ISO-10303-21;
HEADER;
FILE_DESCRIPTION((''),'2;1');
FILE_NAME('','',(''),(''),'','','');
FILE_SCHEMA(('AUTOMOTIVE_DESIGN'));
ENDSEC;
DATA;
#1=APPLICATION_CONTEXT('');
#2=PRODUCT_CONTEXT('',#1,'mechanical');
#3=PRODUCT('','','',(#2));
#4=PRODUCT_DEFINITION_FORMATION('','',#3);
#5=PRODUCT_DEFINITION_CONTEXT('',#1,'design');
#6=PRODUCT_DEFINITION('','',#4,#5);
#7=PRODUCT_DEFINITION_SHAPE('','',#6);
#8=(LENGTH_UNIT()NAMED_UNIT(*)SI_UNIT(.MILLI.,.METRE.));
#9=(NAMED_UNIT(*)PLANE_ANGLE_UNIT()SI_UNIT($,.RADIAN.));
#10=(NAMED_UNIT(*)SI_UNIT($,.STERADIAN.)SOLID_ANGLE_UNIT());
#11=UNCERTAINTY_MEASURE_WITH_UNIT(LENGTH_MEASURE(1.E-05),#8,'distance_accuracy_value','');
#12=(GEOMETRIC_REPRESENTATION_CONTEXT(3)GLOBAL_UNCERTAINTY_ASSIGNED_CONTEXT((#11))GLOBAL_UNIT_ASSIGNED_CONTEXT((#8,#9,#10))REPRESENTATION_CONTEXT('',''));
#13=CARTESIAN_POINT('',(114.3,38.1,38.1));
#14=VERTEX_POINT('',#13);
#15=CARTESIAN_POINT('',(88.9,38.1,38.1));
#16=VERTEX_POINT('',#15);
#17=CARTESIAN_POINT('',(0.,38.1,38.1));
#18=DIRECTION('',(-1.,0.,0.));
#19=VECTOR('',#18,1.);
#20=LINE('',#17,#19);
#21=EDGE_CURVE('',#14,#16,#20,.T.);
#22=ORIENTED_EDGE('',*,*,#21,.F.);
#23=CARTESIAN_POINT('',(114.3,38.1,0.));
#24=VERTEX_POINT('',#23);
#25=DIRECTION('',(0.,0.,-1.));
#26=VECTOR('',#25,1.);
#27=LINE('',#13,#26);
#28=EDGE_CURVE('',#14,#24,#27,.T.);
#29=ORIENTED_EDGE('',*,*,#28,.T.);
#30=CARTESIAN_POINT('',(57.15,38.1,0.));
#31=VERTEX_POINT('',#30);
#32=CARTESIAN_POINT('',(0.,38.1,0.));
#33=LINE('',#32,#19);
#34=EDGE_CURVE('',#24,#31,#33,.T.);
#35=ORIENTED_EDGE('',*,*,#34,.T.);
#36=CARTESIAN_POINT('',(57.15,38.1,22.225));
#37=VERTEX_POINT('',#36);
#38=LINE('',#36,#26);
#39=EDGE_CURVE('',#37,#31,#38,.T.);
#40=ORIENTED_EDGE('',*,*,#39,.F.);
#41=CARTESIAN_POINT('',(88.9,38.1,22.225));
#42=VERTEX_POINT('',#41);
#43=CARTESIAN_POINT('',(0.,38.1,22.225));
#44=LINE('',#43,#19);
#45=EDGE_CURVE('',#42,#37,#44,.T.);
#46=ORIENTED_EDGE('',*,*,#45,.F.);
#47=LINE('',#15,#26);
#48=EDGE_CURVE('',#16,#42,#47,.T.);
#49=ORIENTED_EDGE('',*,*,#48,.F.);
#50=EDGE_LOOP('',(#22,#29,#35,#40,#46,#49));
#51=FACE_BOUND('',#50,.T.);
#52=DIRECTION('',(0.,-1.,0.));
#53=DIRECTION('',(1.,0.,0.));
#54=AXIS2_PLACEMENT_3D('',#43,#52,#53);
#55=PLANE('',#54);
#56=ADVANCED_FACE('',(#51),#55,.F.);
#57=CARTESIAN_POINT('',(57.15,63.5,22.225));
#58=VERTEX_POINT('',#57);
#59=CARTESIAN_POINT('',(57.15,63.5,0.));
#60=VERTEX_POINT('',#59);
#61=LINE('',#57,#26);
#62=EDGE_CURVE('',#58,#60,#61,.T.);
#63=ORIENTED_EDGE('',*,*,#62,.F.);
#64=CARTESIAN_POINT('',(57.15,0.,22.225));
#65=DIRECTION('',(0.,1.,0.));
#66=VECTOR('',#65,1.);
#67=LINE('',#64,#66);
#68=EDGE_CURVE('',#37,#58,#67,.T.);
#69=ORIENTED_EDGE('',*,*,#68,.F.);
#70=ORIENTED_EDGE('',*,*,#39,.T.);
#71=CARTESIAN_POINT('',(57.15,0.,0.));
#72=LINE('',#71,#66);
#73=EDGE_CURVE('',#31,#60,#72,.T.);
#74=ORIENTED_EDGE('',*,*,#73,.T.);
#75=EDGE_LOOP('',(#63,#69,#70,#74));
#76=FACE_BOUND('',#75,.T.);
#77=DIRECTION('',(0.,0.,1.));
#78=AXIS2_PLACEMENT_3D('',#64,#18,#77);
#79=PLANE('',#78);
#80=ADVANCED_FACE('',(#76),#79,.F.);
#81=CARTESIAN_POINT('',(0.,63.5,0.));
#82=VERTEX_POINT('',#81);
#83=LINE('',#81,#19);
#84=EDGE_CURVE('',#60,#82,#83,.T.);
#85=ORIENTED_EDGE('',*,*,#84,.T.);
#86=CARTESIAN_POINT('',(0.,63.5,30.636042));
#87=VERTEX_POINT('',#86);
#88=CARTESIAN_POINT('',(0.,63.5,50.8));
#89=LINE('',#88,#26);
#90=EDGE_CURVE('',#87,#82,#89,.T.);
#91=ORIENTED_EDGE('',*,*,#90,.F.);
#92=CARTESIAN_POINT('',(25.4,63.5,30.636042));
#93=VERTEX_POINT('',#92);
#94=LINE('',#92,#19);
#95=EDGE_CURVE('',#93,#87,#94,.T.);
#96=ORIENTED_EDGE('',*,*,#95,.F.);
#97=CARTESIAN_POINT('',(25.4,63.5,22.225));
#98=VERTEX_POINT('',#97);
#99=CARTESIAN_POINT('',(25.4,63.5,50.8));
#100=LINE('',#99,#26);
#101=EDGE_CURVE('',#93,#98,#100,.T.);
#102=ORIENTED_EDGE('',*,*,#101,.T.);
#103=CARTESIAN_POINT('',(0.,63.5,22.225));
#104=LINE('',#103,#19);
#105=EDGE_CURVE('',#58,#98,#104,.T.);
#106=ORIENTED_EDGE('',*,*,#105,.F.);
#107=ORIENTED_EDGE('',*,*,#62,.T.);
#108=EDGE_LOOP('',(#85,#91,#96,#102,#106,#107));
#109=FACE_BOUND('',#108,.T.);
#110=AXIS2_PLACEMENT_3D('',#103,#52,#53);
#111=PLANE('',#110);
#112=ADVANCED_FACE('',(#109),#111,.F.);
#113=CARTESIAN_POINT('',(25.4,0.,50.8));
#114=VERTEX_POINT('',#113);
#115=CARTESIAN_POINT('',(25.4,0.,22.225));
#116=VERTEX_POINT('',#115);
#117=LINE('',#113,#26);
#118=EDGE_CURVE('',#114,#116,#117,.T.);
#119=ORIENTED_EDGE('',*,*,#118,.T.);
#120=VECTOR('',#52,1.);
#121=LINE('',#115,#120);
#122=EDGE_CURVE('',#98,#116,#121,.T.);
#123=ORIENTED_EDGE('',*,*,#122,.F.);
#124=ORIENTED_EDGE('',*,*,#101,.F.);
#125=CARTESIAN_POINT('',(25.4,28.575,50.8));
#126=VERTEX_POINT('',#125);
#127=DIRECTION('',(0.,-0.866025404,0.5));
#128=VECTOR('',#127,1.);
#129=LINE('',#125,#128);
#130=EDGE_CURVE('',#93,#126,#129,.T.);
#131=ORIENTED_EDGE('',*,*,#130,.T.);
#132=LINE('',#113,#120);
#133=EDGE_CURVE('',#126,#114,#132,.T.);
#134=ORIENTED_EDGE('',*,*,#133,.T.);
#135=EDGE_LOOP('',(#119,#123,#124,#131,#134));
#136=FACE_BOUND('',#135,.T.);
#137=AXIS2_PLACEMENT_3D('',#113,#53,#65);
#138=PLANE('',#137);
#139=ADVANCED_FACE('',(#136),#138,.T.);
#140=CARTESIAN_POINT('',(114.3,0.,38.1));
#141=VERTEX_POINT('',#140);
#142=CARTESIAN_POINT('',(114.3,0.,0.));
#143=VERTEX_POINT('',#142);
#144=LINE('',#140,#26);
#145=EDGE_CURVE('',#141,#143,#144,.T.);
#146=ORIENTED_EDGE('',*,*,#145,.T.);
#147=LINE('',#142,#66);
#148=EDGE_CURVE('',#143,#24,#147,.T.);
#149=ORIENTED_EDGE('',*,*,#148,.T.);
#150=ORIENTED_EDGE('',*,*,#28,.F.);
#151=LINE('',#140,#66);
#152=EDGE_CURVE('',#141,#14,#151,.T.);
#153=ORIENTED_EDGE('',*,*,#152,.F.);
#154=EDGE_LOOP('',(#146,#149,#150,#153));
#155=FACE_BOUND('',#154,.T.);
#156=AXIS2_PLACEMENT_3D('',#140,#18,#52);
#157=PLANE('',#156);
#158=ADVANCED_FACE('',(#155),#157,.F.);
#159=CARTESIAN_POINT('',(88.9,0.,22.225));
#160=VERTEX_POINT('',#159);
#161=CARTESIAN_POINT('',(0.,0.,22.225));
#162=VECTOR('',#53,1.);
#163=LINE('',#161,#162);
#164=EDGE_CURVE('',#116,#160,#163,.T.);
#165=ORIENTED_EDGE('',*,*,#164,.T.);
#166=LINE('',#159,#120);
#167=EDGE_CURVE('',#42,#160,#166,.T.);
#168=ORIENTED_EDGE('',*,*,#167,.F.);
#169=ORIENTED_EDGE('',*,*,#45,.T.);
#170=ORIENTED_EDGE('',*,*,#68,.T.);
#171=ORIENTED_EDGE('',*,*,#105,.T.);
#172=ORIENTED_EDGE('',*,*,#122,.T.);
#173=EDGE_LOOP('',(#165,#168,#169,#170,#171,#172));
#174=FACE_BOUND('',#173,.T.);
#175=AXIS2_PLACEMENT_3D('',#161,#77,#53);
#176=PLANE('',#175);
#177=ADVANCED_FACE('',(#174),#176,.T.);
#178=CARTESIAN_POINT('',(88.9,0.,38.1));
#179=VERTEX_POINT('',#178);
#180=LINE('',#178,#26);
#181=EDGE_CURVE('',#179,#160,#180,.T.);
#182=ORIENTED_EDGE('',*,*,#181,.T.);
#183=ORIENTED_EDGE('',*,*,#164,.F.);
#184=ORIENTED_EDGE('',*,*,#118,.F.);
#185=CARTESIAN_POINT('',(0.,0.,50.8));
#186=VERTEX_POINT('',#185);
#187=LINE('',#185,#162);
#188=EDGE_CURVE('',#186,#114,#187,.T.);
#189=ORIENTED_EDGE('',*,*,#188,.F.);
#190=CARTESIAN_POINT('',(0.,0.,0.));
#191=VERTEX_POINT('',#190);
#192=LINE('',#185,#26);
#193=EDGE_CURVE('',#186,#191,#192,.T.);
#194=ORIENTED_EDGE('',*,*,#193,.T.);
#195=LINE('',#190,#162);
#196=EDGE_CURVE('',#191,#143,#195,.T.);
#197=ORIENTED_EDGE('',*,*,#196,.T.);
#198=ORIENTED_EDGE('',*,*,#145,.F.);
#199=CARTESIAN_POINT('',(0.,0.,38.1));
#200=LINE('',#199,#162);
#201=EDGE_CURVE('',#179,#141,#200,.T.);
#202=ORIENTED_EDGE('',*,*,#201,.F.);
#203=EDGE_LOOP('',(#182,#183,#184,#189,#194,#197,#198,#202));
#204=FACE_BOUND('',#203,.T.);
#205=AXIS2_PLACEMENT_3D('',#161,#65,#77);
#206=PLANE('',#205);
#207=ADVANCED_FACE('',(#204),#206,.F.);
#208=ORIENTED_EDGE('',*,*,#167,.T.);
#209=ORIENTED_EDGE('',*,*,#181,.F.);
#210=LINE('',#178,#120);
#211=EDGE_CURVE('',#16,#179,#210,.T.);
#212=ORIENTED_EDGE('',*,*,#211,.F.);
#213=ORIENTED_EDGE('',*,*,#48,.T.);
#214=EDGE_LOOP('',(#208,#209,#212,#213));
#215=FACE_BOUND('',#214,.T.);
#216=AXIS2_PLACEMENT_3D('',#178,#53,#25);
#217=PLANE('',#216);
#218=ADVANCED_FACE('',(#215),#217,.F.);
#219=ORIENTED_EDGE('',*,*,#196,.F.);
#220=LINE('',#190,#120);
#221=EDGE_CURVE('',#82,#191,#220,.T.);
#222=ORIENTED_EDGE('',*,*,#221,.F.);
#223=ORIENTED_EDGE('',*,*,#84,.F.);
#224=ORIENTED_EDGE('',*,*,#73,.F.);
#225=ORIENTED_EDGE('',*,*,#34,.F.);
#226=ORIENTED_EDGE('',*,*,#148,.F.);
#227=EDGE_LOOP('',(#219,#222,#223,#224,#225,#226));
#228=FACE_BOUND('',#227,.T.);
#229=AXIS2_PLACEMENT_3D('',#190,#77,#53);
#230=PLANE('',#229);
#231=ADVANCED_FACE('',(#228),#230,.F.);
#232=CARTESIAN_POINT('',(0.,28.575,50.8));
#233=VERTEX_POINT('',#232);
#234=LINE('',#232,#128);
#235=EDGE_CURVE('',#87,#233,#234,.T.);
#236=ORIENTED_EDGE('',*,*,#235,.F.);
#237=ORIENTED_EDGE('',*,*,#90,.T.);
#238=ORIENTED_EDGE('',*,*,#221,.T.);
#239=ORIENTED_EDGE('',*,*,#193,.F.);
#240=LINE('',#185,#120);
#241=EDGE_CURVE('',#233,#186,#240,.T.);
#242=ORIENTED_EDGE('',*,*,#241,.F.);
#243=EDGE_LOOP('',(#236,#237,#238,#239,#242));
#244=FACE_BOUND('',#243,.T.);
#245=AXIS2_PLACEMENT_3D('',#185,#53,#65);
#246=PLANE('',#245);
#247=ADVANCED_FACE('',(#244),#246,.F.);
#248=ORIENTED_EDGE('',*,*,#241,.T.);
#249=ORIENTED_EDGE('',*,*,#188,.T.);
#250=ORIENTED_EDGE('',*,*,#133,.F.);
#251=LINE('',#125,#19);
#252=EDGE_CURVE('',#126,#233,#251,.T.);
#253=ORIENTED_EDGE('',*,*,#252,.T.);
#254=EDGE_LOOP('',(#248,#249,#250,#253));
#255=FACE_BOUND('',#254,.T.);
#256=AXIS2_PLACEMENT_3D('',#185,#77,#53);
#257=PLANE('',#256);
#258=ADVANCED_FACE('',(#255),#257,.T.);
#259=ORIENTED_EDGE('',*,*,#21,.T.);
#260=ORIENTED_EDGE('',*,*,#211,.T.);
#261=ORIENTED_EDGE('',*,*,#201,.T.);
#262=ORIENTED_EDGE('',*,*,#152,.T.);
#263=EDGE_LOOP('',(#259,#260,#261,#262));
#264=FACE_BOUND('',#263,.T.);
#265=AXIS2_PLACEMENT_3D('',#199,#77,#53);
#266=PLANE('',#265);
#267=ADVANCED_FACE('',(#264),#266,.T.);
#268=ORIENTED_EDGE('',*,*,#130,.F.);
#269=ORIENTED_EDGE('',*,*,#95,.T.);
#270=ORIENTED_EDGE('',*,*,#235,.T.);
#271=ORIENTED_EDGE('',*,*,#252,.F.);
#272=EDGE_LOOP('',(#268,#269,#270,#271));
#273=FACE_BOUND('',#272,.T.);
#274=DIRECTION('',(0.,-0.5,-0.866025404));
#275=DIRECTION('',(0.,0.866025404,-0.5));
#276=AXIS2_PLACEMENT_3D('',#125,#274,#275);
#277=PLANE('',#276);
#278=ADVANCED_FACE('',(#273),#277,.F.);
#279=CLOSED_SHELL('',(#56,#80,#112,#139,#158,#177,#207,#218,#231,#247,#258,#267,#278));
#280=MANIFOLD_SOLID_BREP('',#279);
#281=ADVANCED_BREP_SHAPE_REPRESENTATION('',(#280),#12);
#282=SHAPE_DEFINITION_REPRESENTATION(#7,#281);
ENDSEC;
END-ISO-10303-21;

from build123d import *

# Parameters (mm, degrees)
BOSS_EXTRUDE1_DEPTH = 22.225
SKETCH1_3_W         = 25.4
SKETCH1_3_H         = 38.1
BOSS_EXTRUDE2_DEPTH = 38.1
SKETCH1_4_W         = 25.4
SKETCH1_4_H         = 63.5
BOSS_EXTRUDE3_DEPTH = 50.8
CUT_EXTRUDE1_DEPTH  = 25.4


with BuildPart() as part:
    # Sketch1 → Boss-Extrude1 (new body)
    with BuildSketch(Plane.XY):
        Polygon((25.4, 28.575), (25.4, 0), (88.9, 0), (88.9, 38.1), (57.15, 38.1), (57.15, 63.5), (25.4, 63.5), align=None)
    extrude(amount=BOSS_EXTRUDE1_DEPTH)

    # Sketch1<3> → Boss-Extrude2 (add)
    with BuildSketch(Plane.XY):
        with Locations((101.6, 19.05)):
            Rectangle(SKETCH1_3_W, SKETCH1_3_H)
    extrude(amount=BOSS_EXTRUDE2_DEPTH)

    # Sketch1<4> → Boss-Extrude3 (add)
    with BuildSketch(Plane.XY):
        with Locations((12.7, 31.75)):
            Rectangle(SKETCH1_4_W, SKETCH1_4_H)
    extrude(amount=BOSS_EXTRUDE3_DEPTH)

    # Sketch2 → Cut-Extrude1 (cut)
    with BuildSketch(Plane.ZY):
        Polygon((50.8, 28.575), (30.636041849, 63.5), (50.8, 63.5), align=None)
    extrude(amount=-CUT_EXTRUDE1_DEPTH, mode=Mode.SUBTRACT)


solid = part.part
